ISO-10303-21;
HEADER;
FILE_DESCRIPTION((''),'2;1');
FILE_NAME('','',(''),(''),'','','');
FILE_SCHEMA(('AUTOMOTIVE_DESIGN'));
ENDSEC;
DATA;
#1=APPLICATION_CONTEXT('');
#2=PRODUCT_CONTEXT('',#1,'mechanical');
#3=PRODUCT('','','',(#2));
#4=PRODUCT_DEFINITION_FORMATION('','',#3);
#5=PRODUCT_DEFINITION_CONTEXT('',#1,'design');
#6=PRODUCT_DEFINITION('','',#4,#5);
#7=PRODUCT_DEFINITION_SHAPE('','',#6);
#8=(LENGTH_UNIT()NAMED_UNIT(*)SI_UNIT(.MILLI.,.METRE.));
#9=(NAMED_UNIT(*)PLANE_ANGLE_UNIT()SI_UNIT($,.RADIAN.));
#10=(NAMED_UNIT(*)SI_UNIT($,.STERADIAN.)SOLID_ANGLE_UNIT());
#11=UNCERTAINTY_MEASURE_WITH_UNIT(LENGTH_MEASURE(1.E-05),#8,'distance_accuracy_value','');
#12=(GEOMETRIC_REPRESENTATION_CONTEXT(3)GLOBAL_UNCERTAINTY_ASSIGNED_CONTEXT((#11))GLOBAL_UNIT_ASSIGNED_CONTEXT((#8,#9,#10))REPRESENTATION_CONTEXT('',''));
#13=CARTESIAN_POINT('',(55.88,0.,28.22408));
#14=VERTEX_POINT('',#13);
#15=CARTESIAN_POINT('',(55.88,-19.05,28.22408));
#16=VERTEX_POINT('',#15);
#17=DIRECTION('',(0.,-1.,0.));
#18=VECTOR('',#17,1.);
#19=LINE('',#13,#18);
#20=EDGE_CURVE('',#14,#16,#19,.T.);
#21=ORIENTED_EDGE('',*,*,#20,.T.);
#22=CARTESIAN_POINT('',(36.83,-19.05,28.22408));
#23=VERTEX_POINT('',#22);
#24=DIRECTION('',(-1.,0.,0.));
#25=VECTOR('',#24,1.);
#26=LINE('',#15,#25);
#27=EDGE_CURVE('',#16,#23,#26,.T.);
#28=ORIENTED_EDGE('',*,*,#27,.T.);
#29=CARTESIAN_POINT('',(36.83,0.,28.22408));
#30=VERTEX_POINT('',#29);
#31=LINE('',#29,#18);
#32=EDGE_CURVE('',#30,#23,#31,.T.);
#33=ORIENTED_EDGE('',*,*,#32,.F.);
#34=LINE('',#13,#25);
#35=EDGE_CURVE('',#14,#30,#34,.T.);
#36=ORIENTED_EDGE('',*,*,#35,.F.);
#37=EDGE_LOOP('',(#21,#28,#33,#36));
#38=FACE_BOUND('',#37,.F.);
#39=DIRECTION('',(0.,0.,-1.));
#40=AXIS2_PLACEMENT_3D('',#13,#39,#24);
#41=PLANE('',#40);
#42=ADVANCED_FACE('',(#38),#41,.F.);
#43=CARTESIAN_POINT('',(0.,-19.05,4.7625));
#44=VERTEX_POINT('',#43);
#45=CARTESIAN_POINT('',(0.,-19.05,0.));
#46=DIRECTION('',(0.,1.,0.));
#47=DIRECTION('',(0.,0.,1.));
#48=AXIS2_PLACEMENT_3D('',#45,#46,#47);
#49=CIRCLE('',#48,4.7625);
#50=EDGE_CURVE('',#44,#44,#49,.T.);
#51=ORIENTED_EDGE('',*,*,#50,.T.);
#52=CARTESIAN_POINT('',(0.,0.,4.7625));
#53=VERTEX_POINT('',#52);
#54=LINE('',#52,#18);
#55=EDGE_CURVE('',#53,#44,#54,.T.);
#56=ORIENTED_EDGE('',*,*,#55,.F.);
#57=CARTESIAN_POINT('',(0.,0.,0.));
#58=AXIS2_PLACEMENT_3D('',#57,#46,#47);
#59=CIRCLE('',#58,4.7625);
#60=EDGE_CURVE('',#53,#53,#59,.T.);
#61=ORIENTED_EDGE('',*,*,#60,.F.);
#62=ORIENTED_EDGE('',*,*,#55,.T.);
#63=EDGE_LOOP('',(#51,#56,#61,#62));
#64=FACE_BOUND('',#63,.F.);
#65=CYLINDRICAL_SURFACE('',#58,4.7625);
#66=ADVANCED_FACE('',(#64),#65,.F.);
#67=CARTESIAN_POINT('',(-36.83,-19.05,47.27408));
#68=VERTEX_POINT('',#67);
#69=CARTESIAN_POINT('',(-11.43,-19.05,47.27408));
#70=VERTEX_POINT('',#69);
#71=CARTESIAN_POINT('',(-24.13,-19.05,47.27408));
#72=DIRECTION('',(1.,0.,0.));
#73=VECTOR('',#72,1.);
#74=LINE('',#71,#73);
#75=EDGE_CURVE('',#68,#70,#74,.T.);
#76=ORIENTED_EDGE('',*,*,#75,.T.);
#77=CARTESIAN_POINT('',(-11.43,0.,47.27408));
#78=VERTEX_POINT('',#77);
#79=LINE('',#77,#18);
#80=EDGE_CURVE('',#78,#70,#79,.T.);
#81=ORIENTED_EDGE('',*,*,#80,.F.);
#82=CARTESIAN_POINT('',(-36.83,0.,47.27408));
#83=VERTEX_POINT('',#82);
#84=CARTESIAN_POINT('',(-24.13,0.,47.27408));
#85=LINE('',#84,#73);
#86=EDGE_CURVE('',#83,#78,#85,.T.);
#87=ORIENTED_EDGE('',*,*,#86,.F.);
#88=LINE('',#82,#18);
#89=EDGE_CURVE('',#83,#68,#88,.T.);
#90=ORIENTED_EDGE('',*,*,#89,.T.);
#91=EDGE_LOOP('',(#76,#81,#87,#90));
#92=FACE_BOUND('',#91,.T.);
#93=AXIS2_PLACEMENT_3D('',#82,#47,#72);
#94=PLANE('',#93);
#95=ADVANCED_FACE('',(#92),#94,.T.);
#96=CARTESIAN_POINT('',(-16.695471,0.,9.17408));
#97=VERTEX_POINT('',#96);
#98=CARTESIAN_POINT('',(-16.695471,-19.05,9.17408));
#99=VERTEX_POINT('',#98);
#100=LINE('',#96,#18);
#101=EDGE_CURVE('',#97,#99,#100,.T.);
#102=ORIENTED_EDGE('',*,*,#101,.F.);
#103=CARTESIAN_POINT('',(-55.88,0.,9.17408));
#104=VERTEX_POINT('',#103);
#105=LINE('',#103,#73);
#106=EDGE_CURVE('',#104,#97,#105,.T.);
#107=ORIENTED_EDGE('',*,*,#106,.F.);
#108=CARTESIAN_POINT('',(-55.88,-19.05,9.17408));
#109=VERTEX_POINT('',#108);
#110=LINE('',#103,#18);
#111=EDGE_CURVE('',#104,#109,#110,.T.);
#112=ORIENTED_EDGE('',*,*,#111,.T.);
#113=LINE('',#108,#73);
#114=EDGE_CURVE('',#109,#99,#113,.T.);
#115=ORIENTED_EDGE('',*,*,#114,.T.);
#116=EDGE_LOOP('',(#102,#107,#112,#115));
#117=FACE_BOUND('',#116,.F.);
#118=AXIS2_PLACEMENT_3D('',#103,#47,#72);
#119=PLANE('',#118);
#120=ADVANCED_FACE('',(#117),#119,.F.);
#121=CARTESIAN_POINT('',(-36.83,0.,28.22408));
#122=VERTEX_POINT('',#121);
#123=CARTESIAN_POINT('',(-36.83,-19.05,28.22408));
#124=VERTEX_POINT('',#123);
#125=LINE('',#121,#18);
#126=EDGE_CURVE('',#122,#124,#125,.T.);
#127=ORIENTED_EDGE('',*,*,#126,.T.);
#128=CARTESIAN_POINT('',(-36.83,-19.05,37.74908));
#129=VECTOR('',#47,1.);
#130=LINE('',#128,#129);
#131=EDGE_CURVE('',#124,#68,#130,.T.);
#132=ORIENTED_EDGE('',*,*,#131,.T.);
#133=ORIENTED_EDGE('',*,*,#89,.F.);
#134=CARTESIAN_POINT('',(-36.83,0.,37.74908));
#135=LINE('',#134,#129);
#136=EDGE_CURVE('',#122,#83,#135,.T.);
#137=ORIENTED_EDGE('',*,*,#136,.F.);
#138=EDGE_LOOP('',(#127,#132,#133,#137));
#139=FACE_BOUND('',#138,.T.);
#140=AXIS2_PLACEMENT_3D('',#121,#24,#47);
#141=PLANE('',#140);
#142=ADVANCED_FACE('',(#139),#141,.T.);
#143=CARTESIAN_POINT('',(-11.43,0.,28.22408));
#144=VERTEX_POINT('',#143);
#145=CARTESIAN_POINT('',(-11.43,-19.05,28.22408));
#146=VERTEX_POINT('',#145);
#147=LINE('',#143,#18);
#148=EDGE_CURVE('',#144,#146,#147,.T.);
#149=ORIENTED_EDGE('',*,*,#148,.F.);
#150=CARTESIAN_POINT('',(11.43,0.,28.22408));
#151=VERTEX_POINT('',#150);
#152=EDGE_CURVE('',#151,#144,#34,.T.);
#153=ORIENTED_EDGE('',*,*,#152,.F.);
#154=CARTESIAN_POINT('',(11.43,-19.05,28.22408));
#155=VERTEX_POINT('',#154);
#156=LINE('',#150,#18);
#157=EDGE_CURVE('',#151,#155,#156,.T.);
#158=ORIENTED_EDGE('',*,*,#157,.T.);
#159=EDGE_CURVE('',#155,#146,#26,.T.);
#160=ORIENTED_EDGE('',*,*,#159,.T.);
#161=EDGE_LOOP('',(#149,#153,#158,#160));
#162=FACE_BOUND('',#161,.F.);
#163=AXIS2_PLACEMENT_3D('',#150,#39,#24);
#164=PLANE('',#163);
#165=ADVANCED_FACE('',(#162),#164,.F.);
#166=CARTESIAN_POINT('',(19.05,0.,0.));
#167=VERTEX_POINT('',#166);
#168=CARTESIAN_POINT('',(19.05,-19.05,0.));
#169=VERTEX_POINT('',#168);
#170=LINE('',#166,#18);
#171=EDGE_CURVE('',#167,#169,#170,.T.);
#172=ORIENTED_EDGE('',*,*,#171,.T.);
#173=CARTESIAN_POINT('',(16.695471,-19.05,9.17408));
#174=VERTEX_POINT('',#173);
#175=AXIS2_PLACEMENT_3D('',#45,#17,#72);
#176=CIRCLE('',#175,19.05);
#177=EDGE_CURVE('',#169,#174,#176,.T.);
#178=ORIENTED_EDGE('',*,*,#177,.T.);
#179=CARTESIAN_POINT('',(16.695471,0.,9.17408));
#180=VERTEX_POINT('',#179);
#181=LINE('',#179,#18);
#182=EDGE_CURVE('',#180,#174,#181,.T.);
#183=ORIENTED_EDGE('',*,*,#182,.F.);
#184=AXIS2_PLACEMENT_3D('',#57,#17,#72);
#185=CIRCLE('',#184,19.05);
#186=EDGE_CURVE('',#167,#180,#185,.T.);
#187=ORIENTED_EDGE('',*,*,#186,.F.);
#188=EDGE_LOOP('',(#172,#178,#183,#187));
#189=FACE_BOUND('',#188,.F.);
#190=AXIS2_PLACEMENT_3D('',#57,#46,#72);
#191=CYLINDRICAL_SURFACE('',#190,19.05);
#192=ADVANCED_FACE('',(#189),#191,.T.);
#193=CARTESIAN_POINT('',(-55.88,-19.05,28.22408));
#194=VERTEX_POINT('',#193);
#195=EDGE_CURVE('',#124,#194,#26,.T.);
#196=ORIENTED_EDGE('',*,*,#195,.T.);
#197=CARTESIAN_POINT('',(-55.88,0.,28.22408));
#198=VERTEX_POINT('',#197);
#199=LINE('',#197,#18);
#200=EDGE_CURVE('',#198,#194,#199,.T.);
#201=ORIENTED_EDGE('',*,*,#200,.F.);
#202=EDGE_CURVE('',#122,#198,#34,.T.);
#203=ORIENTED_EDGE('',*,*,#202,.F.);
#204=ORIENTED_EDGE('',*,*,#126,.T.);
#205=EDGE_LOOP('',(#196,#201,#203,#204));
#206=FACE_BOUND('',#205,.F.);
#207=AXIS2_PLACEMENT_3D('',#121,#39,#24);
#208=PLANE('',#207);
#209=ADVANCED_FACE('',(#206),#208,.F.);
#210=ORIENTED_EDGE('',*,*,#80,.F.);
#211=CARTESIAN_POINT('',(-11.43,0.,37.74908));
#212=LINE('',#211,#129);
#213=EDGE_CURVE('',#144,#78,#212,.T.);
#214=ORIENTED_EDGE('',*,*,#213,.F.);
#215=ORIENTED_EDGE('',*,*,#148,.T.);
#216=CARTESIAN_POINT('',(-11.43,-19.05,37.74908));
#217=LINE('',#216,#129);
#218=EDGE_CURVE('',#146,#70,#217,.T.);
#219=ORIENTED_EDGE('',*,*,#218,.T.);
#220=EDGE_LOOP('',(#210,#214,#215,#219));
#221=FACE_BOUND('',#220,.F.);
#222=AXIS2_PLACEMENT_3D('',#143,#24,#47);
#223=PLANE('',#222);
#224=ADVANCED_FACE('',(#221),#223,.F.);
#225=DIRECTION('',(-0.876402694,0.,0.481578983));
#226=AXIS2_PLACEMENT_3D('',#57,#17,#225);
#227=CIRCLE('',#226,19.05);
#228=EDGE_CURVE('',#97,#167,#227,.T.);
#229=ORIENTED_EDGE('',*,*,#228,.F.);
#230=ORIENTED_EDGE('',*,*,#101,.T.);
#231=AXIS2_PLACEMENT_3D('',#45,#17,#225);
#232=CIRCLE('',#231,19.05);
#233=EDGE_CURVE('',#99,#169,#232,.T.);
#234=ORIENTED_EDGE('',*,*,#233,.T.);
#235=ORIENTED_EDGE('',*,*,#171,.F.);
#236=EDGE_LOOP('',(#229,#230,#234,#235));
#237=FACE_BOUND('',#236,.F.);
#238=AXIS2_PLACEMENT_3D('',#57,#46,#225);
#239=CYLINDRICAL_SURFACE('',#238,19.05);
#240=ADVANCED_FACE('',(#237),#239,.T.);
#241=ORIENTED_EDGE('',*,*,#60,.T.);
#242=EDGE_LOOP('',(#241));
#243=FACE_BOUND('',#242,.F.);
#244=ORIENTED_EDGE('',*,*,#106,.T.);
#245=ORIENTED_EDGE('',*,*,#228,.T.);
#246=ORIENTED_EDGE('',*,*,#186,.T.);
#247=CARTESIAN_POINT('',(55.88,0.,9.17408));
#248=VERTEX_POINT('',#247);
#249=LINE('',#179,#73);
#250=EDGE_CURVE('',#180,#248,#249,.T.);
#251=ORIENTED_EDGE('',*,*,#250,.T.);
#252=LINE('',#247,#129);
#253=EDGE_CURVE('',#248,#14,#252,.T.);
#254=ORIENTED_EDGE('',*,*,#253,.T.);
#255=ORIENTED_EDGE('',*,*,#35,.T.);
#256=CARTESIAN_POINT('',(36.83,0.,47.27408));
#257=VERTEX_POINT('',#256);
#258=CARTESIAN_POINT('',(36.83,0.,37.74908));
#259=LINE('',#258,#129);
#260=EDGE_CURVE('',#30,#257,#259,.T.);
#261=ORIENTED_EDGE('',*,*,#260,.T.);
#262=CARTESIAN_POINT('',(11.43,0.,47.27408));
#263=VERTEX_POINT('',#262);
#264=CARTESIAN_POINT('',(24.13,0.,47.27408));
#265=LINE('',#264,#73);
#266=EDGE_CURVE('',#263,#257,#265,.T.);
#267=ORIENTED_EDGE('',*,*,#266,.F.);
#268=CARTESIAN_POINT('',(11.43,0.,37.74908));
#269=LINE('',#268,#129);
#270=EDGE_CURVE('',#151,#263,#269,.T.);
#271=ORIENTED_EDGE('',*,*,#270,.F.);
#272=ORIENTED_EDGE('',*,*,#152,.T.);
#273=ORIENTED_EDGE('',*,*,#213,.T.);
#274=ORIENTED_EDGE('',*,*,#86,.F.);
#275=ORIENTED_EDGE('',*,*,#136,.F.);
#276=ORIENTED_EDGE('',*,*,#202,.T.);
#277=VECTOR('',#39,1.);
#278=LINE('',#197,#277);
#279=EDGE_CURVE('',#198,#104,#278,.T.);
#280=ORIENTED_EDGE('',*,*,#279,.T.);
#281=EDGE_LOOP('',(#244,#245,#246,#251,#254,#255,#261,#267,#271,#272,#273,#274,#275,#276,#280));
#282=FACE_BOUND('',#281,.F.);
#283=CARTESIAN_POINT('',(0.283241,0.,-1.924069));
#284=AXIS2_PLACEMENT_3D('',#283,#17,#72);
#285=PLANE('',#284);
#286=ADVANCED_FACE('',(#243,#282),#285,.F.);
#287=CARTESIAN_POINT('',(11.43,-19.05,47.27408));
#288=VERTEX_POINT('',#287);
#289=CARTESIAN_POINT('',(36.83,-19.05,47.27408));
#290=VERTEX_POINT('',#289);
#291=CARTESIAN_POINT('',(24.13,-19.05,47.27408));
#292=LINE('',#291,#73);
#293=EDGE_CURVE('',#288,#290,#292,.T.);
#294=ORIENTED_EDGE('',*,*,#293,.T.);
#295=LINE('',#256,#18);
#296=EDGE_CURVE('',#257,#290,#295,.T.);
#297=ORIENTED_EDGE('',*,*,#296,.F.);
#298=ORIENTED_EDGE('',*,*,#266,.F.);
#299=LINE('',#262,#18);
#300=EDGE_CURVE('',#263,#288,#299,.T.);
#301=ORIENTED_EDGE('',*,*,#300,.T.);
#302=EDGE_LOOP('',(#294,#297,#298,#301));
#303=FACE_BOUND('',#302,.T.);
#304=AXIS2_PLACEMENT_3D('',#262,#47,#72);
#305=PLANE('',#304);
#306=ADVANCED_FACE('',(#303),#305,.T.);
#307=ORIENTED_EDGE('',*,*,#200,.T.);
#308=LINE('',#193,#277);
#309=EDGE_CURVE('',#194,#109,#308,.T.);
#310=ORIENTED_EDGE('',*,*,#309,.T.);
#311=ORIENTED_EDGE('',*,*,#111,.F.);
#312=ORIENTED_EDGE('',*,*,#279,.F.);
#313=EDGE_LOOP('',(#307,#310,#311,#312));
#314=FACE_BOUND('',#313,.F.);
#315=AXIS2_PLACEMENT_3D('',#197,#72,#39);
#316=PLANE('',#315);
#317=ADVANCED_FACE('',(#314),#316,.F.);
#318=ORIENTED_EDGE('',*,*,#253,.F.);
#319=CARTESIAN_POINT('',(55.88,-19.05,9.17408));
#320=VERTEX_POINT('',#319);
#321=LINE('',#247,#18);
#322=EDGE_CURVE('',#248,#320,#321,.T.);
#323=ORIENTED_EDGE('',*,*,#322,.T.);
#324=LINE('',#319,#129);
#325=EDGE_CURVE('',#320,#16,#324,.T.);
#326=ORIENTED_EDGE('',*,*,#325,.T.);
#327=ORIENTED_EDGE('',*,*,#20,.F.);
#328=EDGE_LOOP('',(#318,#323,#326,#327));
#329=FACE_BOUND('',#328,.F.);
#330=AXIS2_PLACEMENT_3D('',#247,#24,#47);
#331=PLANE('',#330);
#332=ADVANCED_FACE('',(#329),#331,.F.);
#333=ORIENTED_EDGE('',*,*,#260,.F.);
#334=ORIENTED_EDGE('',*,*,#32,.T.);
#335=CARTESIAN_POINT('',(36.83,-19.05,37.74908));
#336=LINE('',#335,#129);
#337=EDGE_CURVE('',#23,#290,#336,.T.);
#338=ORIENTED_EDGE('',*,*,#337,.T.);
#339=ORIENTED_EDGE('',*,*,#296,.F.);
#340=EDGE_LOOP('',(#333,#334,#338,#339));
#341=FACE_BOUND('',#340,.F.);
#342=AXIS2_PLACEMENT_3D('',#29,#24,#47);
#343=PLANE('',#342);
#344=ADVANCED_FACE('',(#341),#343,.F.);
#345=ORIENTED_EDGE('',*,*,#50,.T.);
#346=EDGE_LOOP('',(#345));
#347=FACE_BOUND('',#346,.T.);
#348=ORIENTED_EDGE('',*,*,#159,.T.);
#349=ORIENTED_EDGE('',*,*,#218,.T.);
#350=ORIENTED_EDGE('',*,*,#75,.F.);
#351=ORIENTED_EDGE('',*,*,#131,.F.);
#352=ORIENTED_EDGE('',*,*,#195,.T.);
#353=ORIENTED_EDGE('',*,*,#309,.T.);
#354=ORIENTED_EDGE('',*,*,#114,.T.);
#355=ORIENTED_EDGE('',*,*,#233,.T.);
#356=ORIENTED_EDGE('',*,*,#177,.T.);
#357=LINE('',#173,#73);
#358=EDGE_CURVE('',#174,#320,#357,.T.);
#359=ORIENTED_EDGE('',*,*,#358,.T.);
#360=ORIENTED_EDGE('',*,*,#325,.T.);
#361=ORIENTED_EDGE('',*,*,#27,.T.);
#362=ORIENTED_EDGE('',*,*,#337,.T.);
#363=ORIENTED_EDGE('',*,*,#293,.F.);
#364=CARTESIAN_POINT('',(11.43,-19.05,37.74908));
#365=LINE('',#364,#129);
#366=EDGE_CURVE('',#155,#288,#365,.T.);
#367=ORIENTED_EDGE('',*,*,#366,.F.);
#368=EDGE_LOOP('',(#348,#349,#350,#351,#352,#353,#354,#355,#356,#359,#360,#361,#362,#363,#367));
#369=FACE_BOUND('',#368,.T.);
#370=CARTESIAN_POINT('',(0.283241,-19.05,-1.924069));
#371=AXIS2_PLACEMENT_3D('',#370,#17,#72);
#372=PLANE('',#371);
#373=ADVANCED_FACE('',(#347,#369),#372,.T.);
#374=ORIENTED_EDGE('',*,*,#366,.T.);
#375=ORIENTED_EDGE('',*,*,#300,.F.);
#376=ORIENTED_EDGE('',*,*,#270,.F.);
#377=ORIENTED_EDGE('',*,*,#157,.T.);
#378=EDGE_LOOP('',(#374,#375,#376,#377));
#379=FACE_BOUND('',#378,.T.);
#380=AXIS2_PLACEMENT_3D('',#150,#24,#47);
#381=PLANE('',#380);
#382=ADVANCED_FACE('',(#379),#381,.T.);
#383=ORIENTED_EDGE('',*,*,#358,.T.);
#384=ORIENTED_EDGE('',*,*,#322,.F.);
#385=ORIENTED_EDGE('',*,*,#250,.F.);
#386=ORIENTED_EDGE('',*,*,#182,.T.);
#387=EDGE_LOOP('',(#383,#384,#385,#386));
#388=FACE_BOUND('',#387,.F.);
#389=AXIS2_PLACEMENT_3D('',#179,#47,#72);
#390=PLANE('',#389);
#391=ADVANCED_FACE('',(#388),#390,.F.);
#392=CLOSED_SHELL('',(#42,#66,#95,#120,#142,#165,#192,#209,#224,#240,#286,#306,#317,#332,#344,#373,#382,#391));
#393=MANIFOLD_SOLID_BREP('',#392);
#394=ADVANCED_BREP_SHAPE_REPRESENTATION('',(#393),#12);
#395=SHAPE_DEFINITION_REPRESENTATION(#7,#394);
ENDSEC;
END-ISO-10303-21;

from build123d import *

# Parameters (mm, degrees)
F0_W     = 25.4
F0_H     = 19.05
F1_DEPTH = 19.05


with BuildPart() as f1:
    # F0 (on Front) → F1 (new body)
    with BuildSketch(Plane.XZ):
        with BuildLine():
            ThreePointArc((-16.695471328, 9.1740796342), (-4.7357032847, -18.4519813137), (19.05, 0))
            ThreePointArc((19.05, 0), (18.4519813137, 4.7357032847), (16.695471328, 9.1740796342))
            Line((16.695471328, 9.1740796342), (0, 9.1740796342))
            Line((0, 9.1740796342), (-16.695471328, 9.1740796342))
        make_face()
        with BuildLine():
            ThreePointArc((4.7625, 0), (-3.3675960454, -3.3675960454), (0, 4.7625))
            ThreePointArc((0, 4.7625), (3.3675960454, 3.3675960454), (4.7625, 0))
        make_face(mode=Mode.SUBTRACT)
        with BuildLine():
            Line((0, 9.1740796342), (16.695471328, 9.1740796342))
            ThreePointArc((16.695471328, 9.1740796342), (9.6988732069, 16.3961690195), (0, 19.05))
            Line((0, 19.05), (0, 9.1740796342))
        make_face()
        with BuildLine():
            ThreePointArc((0, 19.05), (9.6988732069, 16.3961690195), (16.695471328, 9.1740796342))
            Line((16.695471328, 9.1740796342), (55.88, 9.1740796342))
            Line((55.88, 9.1740796342), (55.88, 28.2240796342))
            Line((55.88, 28.2240796342), (36.83, 28.2240796342))
            Line((36.83, 28.2240796342), (11.43, 28.2240796342))
            Line((11.43, 28.2240796342), (-11.43, 28.2240796342))
            Line((-11.43, 28.2240796342), (-36.83, 28.2240796342))
            Line((-36.83, 28.2240796342), (-55.88, 28.2240796342))
            Line((-55.88, 28.2240796342), (-55.88, 9.1740796342))
            Line((-55.88, 9.1740796342), (-16.695471328, 9.1740796342))
            ThreePointArc((-16.695471328, 9.1740796342), (-9.6988732069, 16.3961690195), (0, 19.05))
        make_face()
        with BuildLine():
            ThreePointArc((0, 19.05), (-9.6988732069, 16.3961690195), (-16.695471328, 9.1740796342))
            Line((-16.695471328, 9.1740796342), (0, 9.1740796342))
            Line((0, 9.1740796342), (0, 19.05))
        make_face()
        with Locations((24.13, 37.7490796342)):
            Rectangle(F0_W, F0_H)
        with Locations((-24.13, 37.7490796342)):
            Rectangle(F0_W, F0_H)
    extrude(amount=F1_DEPTH)


solid = f1.part
